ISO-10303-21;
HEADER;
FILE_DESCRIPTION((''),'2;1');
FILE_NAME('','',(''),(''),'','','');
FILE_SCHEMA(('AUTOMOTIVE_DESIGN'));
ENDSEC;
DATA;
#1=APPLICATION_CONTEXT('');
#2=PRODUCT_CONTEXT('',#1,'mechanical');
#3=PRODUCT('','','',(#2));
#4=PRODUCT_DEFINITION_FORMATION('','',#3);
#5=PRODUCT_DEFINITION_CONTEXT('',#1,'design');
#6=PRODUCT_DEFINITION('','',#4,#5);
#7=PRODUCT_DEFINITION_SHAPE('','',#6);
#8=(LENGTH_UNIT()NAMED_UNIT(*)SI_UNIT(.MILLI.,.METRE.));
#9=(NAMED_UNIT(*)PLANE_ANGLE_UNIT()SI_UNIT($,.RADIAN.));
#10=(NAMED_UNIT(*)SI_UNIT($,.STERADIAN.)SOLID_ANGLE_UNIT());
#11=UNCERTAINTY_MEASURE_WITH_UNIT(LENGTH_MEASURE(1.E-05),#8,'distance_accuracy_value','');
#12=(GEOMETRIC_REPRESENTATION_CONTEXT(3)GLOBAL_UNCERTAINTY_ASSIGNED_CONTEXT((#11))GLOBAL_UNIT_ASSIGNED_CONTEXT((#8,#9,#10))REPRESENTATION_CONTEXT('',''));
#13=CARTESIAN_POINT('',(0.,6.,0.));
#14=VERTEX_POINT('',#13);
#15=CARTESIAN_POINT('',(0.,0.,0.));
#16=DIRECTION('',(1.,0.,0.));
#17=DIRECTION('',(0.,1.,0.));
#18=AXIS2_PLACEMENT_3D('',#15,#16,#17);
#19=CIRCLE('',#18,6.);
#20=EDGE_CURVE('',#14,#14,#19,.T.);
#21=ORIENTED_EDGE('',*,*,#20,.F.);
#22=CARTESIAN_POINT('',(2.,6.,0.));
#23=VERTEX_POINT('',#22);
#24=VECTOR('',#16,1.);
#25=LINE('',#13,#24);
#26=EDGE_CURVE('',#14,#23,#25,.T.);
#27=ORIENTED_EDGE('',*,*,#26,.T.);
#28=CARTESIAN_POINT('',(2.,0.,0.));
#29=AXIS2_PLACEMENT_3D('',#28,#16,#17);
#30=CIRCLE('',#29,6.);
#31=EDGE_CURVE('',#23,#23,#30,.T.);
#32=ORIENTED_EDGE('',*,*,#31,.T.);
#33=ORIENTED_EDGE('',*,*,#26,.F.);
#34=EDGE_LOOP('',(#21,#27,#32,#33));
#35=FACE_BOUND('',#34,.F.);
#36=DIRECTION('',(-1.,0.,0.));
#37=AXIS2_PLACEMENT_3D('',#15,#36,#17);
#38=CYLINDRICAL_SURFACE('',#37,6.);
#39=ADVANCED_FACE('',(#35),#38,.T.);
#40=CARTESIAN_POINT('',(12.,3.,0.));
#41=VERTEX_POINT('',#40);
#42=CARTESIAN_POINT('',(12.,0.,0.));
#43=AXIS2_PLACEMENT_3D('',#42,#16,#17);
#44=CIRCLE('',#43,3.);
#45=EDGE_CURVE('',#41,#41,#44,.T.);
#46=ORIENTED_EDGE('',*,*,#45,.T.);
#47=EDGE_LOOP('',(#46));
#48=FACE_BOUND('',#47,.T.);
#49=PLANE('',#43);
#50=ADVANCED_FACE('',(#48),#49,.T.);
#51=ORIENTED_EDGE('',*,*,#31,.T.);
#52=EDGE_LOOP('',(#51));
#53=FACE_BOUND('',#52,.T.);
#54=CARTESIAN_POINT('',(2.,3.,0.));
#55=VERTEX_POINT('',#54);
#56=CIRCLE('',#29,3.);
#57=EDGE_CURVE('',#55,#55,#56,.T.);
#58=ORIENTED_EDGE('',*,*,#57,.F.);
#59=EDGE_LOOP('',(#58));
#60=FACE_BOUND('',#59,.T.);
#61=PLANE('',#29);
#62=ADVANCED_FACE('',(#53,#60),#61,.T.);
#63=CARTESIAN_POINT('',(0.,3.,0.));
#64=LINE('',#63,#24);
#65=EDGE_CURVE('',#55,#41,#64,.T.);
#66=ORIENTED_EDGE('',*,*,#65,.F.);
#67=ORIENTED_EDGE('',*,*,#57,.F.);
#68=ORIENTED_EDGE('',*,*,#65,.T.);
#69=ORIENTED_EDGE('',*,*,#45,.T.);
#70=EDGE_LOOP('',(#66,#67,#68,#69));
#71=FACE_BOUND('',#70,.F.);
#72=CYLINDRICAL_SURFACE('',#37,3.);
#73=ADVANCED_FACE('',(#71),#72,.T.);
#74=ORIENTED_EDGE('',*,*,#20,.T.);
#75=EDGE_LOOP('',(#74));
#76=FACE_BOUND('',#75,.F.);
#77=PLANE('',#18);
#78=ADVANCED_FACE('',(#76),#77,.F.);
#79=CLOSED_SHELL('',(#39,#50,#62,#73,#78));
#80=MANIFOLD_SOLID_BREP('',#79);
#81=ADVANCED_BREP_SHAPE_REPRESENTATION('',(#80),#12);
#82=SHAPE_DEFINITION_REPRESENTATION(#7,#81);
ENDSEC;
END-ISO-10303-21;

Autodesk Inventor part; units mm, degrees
ref_plane "YZ Plane" through (0, 0, 0) normal (1, 0, 0) x (0, 1, 0)
ref_plane "XZ Plane" through (0, 0, 0) normal (0, 1, 0) x (-1, 0, 0)
ref_plane "XY Plane" through (0, 0, 0) normal (0, 0, 1) x (1, 0, 0)
sketch "Sketch1" plane through (0, 0, 0) normal (1, 0, 0) x (0, 1, 0)
  circle A0 centre (0, 0) radius 6
  circle A1 centre (0, 0) radius 3
  dimension "d0" = 12
  dimension "d1" = 6
extrude "Extrusion1" add sketch "Sketch1" along normal blind 12 contours A1
extrude "Extrusion2" add sketch "Sketch1" along normal blind 2
properties part number "pin_CPY2" material "Stainless Steel"
